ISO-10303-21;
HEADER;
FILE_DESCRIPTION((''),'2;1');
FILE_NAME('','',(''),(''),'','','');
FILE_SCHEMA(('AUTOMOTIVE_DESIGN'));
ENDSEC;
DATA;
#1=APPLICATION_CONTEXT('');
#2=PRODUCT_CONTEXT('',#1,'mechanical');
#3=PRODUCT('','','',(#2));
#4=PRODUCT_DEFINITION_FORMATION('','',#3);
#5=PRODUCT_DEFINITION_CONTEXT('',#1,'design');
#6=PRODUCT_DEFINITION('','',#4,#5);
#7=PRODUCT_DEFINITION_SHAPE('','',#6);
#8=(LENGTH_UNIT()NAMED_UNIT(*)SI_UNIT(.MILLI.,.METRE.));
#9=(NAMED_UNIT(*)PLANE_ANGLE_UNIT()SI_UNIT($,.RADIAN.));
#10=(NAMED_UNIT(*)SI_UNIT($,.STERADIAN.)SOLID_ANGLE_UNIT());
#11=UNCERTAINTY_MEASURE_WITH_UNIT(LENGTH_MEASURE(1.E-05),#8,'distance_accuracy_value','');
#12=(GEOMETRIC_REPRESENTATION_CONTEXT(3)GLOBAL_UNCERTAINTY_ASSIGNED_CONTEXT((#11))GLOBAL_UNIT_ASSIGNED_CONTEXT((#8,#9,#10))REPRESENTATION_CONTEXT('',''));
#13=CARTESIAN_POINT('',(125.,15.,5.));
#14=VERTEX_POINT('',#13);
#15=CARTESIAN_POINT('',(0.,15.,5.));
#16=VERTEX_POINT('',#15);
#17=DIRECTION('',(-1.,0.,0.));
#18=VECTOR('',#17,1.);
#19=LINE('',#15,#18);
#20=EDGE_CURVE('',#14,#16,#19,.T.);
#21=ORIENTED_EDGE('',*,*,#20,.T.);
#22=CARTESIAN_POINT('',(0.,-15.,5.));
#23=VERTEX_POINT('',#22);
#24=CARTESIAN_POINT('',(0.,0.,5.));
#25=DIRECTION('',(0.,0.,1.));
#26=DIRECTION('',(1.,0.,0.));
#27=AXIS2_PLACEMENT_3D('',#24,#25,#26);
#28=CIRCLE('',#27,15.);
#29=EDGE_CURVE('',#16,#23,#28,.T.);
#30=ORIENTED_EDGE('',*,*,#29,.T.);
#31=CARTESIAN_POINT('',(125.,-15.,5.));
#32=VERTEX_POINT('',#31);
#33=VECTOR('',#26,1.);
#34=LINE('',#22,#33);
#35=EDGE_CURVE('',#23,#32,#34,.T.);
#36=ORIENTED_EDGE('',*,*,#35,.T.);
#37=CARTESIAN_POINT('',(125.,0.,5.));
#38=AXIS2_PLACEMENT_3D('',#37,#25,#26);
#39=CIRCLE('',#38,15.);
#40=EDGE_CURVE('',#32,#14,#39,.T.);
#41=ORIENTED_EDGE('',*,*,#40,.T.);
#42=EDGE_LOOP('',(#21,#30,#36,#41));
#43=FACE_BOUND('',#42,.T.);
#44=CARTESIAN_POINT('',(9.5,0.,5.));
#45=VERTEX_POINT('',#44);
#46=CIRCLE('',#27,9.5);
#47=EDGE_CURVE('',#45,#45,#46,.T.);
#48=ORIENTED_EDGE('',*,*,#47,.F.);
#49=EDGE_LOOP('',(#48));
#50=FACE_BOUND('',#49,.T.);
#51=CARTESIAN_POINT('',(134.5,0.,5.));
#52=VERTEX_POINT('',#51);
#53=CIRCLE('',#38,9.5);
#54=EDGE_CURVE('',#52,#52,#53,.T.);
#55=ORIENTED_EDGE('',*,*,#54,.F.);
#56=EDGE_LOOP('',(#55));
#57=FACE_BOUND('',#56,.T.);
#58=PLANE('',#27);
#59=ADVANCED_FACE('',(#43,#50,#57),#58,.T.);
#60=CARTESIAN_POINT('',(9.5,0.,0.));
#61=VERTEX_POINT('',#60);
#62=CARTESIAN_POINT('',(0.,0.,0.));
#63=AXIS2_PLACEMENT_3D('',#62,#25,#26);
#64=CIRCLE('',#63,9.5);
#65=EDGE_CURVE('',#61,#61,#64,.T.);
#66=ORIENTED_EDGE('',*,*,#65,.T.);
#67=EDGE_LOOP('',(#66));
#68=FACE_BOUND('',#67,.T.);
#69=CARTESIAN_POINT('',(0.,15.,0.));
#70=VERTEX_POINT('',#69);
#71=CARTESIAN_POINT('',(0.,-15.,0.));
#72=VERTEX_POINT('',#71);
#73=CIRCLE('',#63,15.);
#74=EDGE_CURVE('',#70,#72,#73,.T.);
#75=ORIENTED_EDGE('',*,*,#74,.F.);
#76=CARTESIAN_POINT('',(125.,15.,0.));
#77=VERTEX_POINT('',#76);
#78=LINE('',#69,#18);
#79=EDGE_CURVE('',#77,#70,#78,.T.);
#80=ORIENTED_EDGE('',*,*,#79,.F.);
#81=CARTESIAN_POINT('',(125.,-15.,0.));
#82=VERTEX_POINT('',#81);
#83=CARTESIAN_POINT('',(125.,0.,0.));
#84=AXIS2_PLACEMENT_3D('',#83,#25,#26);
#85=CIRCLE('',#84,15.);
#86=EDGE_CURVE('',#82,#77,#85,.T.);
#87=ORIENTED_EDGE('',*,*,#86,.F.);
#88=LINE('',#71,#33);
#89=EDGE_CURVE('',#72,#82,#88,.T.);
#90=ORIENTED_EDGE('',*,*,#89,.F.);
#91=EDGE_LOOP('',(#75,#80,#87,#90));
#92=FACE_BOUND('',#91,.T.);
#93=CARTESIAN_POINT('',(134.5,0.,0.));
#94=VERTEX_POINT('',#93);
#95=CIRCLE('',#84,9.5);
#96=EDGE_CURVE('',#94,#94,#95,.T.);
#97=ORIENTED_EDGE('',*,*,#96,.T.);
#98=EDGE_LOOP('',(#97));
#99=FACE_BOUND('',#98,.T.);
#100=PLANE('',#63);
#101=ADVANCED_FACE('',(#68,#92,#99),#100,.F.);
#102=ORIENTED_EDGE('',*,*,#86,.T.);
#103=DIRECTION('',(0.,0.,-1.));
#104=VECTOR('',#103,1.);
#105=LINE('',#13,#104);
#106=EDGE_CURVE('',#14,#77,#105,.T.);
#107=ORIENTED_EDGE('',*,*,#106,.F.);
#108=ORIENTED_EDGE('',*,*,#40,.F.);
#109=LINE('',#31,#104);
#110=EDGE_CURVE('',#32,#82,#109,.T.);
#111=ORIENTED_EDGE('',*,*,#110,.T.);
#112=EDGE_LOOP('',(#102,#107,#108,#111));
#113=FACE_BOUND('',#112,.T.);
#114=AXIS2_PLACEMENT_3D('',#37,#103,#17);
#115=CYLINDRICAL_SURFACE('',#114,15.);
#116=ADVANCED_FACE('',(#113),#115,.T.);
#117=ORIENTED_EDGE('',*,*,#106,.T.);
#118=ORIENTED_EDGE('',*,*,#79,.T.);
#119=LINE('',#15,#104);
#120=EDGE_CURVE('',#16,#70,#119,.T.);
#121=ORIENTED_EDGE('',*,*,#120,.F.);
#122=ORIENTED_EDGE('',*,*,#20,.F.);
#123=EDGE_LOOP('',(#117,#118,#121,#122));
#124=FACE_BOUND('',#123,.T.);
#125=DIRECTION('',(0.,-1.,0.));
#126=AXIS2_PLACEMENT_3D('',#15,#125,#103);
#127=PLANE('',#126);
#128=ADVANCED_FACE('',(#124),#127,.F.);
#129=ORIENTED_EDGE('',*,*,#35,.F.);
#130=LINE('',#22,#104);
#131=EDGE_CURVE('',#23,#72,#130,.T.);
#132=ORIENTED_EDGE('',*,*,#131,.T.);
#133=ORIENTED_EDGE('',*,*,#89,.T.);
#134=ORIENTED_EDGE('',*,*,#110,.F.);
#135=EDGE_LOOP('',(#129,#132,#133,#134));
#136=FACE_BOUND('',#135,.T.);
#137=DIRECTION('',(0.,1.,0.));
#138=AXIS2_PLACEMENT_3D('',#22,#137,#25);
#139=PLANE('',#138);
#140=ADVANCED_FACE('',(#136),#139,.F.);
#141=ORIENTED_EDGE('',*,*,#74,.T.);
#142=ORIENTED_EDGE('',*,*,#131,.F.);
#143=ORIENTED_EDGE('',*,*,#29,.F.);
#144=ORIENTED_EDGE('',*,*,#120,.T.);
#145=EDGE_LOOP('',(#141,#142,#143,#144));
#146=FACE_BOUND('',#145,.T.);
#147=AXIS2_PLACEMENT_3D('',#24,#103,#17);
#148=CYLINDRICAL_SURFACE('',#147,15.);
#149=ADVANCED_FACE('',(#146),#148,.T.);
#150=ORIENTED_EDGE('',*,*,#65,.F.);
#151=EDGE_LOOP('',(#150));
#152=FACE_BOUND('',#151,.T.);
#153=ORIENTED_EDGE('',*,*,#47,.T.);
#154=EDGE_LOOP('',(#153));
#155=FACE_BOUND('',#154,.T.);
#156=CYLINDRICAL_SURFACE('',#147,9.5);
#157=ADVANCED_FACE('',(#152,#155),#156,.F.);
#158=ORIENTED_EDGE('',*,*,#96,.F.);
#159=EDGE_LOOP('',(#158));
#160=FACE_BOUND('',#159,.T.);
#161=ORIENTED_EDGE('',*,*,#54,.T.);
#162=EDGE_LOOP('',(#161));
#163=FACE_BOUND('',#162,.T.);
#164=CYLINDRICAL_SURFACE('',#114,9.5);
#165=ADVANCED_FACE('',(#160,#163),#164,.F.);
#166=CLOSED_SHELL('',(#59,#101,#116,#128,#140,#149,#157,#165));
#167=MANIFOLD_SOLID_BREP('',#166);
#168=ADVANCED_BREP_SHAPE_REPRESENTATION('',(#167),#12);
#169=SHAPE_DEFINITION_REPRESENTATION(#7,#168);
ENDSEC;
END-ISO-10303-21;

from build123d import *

# Parameters (mm, degrees)
SKETCH1_R           = 9.5
BOSS_EXTRUDE1_DEPTH = 5


with BuildPart() as part:
    # Sketch1 → Boss-Extrude1 (new body)
    with BuildSketch(Plane.XY):
        with BuildLine():
            Line((0, 15), (125, 15))
            ThreePointArc((125, 15), (140, 0), (125, -15))
            Line((125, -15), (0, -15))
            ThreePointArc((0, -15), (-15, 0), (0, 15))
        make_face()
        Circle(SKETCH1_R, mode=Mode.SUBTRACT)
        with Locations((125, 0)):
            Circle(SKETCH1_R, mode=Mode.SUBTRACT)
    extrude(amount=BOSS_EXTRUDE1_DEPTH)


solid = part.part
